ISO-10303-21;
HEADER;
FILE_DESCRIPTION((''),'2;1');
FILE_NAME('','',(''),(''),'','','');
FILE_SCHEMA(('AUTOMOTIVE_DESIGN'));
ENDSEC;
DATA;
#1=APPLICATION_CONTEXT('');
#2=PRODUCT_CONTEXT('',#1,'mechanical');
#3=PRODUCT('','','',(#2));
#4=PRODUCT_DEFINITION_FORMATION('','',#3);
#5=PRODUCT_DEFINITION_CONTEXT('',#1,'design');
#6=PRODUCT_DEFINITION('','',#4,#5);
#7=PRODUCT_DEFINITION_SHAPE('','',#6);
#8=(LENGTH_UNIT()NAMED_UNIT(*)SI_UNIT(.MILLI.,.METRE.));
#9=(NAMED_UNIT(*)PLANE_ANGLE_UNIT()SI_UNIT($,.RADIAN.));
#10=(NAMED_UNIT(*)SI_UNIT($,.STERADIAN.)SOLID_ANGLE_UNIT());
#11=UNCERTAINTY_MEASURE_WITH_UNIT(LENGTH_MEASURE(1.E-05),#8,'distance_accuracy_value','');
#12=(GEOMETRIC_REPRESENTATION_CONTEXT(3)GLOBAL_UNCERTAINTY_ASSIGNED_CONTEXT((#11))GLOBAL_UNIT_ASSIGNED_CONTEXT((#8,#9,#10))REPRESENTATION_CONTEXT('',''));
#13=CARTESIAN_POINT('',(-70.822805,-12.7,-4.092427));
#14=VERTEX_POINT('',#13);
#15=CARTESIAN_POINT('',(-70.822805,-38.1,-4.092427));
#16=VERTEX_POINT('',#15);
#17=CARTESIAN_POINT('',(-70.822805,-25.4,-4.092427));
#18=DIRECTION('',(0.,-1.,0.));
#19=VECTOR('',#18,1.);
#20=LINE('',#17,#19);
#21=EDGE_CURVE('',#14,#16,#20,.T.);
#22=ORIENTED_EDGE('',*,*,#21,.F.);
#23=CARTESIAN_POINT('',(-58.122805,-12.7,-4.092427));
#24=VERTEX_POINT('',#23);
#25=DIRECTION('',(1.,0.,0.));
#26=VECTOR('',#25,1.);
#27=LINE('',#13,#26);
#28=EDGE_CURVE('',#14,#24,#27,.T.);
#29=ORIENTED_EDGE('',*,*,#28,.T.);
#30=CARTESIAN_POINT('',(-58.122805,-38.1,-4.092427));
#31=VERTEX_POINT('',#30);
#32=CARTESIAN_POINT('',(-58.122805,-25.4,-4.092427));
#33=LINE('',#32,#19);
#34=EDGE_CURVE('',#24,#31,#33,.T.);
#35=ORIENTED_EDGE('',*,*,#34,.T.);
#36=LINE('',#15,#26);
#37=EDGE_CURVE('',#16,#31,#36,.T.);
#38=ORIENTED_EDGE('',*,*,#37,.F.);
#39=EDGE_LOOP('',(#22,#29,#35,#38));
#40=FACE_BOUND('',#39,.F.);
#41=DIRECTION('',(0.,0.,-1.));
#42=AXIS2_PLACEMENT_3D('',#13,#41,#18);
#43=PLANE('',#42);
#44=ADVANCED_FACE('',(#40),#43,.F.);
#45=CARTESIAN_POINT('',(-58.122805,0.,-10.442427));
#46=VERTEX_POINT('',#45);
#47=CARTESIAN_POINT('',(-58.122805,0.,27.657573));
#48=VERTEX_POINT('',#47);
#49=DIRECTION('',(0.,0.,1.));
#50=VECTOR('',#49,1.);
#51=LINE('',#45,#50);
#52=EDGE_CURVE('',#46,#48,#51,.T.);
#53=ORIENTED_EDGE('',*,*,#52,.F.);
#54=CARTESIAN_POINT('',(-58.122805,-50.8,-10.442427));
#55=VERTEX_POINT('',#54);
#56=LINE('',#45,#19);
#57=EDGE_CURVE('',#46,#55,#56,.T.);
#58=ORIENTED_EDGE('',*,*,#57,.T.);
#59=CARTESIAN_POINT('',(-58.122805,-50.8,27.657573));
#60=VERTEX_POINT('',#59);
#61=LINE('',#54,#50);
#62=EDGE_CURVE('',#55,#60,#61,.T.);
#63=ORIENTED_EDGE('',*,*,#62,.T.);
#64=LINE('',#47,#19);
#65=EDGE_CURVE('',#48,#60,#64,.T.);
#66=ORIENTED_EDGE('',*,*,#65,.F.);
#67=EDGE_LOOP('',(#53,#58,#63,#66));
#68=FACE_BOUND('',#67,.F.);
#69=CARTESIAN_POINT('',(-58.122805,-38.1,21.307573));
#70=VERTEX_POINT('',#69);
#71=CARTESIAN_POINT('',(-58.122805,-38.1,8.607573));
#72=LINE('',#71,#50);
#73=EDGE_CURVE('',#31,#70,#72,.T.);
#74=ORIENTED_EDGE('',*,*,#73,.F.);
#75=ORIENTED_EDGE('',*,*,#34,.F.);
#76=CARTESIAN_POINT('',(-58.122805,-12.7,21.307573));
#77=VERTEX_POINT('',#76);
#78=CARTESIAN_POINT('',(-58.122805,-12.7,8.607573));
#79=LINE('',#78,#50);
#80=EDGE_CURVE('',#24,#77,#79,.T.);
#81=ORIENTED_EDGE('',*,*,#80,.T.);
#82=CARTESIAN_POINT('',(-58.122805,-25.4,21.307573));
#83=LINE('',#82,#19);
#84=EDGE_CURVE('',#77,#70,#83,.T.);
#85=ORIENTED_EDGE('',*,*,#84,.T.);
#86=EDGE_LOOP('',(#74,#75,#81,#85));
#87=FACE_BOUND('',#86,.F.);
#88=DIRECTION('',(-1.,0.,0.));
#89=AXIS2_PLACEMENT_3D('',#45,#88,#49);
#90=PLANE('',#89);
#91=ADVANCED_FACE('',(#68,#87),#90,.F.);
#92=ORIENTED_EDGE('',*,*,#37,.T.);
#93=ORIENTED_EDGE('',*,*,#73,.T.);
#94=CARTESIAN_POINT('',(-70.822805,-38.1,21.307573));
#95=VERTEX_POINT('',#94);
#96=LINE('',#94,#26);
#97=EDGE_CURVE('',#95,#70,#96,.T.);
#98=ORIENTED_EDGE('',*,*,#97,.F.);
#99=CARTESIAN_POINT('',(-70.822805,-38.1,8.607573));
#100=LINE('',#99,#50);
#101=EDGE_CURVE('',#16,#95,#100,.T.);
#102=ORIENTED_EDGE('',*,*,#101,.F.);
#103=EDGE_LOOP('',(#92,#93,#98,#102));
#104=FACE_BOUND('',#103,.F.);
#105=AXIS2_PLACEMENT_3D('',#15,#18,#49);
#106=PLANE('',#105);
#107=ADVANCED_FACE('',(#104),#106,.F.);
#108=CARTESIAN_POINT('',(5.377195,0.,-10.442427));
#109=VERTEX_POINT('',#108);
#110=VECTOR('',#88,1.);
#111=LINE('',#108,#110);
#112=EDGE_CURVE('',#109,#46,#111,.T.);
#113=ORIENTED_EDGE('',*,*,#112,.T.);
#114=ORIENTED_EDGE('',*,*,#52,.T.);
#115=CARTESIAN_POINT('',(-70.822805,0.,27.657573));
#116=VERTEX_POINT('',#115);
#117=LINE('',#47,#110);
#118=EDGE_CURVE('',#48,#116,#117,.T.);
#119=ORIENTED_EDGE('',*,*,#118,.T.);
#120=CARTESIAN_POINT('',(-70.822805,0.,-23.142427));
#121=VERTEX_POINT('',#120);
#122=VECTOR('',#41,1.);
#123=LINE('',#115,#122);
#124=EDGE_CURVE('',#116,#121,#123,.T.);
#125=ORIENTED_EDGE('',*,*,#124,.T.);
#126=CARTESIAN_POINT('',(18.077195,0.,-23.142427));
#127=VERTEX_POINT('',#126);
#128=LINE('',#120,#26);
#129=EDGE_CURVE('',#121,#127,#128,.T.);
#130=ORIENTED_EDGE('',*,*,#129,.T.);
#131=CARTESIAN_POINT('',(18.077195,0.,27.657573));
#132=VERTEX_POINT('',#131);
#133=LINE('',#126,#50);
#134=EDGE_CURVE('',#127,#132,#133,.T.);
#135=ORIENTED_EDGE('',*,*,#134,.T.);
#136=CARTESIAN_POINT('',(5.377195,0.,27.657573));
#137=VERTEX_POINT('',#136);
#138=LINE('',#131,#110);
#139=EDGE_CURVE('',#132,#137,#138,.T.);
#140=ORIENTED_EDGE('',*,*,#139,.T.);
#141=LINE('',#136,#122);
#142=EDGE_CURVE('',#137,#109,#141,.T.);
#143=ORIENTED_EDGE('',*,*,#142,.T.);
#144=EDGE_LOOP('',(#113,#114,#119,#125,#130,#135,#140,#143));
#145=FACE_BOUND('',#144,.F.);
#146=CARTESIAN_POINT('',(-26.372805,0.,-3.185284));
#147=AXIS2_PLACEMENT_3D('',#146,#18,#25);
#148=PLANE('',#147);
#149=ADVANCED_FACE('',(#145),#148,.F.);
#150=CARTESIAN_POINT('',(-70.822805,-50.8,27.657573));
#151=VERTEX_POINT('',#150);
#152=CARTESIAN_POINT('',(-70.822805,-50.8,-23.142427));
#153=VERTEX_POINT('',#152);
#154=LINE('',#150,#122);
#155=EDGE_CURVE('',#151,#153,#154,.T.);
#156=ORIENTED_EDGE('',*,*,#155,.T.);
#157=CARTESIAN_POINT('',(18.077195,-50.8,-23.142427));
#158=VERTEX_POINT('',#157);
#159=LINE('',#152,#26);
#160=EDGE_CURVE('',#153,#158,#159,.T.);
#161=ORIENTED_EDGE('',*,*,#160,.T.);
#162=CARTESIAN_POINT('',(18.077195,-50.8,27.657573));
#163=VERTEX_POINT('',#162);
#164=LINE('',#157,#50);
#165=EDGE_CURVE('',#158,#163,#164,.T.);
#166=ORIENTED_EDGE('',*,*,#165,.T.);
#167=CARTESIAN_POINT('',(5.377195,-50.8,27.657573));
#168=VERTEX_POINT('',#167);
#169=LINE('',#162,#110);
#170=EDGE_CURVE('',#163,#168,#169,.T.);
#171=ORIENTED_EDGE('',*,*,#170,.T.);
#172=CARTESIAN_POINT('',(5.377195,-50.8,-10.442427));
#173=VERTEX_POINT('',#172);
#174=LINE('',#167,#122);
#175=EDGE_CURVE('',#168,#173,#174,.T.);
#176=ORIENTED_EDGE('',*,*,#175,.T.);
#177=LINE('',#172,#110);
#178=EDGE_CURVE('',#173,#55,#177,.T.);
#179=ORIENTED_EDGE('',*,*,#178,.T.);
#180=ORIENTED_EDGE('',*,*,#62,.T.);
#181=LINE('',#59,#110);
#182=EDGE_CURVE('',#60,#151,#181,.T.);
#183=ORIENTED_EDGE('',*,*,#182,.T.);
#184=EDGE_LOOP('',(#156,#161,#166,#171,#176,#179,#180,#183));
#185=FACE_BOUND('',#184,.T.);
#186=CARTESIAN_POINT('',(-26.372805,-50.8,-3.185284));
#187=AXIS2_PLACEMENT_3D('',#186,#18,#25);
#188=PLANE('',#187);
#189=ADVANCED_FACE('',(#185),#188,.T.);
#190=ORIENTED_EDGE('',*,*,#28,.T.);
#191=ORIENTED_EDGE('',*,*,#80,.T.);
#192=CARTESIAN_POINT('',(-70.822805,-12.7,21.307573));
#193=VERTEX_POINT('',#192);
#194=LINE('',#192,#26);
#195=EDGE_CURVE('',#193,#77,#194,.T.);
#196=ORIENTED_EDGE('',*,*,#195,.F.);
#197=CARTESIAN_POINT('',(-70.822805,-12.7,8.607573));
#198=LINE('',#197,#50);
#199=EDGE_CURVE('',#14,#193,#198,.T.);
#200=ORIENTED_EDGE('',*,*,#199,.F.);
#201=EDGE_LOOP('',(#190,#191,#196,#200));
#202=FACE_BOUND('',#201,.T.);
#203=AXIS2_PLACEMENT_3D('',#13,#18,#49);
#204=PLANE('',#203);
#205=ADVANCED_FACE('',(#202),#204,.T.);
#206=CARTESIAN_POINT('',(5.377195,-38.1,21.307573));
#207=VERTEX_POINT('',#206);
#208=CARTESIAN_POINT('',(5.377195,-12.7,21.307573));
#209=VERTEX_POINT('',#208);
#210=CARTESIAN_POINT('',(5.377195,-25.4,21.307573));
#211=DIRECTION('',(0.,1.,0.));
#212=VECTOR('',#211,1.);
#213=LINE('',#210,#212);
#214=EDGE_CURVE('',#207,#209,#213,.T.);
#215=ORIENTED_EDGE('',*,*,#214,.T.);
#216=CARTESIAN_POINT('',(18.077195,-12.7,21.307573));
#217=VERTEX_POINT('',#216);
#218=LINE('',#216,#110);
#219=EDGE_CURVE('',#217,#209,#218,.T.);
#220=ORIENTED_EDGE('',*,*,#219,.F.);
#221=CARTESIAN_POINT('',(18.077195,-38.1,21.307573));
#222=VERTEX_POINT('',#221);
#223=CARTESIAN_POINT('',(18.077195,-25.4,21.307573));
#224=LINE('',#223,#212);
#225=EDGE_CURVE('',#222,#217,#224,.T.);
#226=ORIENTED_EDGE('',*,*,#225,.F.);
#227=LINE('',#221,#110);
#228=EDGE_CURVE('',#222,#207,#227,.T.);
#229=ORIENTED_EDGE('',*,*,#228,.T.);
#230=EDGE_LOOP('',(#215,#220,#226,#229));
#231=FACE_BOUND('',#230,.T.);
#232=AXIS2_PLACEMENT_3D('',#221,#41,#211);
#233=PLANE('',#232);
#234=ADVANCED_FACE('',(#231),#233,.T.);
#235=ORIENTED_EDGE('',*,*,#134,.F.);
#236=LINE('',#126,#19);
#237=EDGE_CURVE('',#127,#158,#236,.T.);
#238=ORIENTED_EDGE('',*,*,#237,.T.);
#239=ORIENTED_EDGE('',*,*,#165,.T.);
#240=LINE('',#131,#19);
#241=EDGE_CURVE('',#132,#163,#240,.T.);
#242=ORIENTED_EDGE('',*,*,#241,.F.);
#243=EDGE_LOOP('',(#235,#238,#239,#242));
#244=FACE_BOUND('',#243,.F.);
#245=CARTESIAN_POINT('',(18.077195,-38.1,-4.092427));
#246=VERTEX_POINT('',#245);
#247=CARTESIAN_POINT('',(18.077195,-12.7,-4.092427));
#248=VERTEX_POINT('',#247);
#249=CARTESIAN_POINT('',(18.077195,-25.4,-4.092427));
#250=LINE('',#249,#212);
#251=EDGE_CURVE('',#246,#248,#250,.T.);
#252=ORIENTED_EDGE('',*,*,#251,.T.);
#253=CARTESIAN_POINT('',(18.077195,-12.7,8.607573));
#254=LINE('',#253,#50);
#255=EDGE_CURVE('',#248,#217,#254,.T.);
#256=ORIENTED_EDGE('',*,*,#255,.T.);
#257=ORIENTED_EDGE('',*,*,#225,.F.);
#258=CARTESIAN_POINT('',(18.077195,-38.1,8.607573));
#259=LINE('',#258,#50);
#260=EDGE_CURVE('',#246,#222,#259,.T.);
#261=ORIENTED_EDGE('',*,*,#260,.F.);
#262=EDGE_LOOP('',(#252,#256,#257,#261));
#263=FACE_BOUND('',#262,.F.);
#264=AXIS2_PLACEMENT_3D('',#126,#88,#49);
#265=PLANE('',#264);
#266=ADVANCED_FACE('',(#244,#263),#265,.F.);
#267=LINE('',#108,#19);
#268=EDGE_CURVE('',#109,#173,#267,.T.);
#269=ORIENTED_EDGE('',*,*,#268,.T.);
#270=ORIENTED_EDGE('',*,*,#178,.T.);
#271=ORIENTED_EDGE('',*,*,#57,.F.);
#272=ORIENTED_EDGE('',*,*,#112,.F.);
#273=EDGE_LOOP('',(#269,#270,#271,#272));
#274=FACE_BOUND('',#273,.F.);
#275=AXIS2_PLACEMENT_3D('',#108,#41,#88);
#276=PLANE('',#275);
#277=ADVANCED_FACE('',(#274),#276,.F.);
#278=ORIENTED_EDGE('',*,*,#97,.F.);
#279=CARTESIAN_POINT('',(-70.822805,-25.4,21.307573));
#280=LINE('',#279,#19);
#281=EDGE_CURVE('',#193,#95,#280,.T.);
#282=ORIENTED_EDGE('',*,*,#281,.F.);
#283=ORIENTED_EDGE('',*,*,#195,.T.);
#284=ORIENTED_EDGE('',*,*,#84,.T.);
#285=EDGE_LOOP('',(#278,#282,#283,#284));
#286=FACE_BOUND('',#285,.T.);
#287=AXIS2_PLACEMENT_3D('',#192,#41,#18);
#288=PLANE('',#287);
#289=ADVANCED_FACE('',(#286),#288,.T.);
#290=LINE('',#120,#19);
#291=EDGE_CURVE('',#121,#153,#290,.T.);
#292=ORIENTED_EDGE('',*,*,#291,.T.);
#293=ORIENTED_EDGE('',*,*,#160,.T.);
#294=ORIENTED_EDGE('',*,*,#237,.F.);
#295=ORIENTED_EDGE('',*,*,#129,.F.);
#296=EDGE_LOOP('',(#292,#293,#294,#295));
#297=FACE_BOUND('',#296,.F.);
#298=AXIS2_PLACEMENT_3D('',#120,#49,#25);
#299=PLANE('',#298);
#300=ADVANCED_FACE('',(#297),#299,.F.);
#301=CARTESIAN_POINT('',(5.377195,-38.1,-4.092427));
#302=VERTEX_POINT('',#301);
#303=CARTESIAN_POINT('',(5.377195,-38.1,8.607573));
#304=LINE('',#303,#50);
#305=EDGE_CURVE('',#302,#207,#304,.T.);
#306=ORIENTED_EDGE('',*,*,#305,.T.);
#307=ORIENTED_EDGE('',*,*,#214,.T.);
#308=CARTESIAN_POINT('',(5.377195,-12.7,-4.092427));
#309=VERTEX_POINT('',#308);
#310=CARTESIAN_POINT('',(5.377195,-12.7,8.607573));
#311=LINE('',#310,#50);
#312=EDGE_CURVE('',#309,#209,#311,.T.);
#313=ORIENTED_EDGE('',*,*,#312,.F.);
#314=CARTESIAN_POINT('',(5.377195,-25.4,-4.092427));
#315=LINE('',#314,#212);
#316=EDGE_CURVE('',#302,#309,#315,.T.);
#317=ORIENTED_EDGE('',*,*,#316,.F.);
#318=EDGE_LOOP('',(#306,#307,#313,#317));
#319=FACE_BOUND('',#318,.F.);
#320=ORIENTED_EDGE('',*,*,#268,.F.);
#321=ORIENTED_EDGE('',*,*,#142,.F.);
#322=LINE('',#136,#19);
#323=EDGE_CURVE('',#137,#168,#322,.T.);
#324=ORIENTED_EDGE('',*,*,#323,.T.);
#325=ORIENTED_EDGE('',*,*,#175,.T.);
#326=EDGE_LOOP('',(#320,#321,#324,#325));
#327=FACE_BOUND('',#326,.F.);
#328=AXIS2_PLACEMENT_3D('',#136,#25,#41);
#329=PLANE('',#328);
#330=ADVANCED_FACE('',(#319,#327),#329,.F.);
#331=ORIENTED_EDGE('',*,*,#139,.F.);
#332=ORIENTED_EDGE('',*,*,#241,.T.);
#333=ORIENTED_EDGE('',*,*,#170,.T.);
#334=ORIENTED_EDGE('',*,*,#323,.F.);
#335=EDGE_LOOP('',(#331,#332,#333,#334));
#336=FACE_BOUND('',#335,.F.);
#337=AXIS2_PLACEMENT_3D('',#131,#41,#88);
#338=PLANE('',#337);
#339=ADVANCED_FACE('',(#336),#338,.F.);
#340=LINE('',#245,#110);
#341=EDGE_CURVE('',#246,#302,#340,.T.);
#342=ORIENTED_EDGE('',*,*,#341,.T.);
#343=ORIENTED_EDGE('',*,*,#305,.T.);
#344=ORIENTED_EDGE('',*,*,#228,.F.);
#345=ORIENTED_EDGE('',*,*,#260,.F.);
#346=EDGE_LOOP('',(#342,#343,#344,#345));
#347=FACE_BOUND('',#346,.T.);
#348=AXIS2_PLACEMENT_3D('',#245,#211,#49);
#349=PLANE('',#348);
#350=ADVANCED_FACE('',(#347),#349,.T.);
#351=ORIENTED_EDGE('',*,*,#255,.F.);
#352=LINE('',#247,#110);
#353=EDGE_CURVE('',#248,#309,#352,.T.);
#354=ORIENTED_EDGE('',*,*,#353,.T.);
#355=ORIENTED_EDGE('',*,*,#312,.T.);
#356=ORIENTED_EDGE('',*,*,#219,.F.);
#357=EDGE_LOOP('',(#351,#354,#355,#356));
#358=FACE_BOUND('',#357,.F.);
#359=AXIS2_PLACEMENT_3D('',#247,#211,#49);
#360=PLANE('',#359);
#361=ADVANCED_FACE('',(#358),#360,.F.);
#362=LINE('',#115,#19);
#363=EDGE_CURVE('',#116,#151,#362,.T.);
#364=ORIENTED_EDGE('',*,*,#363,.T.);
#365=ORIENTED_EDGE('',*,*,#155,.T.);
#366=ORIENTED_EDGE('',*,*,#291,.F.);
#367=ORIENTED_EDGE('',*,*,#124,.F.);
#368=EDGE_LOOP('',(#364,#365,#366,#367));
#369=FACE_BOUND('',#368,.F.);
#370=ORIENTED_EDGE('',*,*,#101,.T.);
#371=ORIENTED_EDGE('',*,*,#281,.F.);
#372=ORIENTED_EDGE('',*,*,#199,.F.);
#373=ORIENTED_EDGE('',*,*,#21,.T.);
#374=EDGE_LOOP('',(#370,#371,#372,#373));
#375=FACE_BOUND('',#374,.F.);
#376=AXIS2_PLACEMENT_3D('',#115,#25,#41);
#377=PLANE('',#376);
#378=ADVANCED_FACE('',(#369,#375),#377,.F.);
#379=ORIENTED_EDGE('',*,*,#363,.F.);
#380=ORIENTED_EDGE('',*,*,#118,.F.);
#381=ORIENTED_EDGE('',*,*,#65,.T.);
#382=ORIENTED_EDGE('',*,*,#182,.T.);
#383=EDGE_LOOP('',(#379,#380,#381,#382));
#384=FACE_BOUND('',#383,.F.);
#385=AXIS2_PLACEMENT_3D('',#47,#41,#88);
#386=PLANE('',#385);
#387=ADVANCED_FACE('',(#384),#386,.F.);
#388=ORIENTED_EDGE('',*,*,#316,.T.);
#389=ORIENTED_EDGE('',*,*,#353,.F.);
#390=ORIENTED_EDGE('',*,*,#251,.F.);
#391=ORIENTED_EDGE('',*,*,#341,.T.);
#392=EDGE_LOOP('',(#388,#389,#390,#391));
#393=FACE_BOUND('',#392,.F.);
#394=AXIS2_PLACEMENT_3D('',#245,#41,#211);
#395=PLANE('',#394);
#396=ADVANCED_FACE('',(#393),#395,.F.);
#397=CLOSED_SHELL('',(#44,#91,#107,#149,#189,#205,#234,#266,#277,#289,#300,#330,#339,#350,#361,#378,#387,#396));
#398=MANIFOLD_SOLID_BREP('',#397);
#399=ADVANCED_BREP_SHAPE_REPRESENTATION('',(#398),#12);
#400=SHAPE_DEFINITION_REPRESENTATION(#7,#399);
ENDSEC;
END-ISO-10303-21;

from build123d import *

# Parameters (mm, degrees)
F1_DEPTH = 50.8
F2_W     = 25.4
F2_H     = 25.4
F3_DEPTH = 12.7
F4_W     = 25.4
F4_H     = 25.4
F5_DEPTH = 12.7


with BuildPart() as f1:
    # F0 (on Front) → F1 (new body)
    with BuildSketch(Plane.XZ):
        Polygon((-58.122805, 27.657573), (-70.822805, 27.657573), (-70.822805, -23.142427), (18.077195, -23.142427), (18.077195, 27.657573), (5.377195, 27.657573), (5.377195, -10.442427), (-58.122805, -10.442427), align=None)
    extrude(amount=F1_DEPTH)

    # F2 (on face) → F3 (cut)
    with BuildSketch(Plane.YZ.offset(18.077195)):
        with Locations((-25.4, 8.607573)):
            Rectangle(F2_W, F2_H)
    extrude(amount=-F3_DEPTH, mode=Mode.SUBTRACT)

    # F4 (on face) → F5 (cut)
    with BuildSketch(Plane(origin=(-70.822805, 0, 0), x_dir=(0, -1, 0), z_dir=(-1, 0, 0))):
        with Locations((25.4, 8.607573)):
            Rectangle(F4_W, F4_H)
    extrude(amount=-F5_DEPTH, mode=Mode.SUBTRACT)


solid = f1.part
